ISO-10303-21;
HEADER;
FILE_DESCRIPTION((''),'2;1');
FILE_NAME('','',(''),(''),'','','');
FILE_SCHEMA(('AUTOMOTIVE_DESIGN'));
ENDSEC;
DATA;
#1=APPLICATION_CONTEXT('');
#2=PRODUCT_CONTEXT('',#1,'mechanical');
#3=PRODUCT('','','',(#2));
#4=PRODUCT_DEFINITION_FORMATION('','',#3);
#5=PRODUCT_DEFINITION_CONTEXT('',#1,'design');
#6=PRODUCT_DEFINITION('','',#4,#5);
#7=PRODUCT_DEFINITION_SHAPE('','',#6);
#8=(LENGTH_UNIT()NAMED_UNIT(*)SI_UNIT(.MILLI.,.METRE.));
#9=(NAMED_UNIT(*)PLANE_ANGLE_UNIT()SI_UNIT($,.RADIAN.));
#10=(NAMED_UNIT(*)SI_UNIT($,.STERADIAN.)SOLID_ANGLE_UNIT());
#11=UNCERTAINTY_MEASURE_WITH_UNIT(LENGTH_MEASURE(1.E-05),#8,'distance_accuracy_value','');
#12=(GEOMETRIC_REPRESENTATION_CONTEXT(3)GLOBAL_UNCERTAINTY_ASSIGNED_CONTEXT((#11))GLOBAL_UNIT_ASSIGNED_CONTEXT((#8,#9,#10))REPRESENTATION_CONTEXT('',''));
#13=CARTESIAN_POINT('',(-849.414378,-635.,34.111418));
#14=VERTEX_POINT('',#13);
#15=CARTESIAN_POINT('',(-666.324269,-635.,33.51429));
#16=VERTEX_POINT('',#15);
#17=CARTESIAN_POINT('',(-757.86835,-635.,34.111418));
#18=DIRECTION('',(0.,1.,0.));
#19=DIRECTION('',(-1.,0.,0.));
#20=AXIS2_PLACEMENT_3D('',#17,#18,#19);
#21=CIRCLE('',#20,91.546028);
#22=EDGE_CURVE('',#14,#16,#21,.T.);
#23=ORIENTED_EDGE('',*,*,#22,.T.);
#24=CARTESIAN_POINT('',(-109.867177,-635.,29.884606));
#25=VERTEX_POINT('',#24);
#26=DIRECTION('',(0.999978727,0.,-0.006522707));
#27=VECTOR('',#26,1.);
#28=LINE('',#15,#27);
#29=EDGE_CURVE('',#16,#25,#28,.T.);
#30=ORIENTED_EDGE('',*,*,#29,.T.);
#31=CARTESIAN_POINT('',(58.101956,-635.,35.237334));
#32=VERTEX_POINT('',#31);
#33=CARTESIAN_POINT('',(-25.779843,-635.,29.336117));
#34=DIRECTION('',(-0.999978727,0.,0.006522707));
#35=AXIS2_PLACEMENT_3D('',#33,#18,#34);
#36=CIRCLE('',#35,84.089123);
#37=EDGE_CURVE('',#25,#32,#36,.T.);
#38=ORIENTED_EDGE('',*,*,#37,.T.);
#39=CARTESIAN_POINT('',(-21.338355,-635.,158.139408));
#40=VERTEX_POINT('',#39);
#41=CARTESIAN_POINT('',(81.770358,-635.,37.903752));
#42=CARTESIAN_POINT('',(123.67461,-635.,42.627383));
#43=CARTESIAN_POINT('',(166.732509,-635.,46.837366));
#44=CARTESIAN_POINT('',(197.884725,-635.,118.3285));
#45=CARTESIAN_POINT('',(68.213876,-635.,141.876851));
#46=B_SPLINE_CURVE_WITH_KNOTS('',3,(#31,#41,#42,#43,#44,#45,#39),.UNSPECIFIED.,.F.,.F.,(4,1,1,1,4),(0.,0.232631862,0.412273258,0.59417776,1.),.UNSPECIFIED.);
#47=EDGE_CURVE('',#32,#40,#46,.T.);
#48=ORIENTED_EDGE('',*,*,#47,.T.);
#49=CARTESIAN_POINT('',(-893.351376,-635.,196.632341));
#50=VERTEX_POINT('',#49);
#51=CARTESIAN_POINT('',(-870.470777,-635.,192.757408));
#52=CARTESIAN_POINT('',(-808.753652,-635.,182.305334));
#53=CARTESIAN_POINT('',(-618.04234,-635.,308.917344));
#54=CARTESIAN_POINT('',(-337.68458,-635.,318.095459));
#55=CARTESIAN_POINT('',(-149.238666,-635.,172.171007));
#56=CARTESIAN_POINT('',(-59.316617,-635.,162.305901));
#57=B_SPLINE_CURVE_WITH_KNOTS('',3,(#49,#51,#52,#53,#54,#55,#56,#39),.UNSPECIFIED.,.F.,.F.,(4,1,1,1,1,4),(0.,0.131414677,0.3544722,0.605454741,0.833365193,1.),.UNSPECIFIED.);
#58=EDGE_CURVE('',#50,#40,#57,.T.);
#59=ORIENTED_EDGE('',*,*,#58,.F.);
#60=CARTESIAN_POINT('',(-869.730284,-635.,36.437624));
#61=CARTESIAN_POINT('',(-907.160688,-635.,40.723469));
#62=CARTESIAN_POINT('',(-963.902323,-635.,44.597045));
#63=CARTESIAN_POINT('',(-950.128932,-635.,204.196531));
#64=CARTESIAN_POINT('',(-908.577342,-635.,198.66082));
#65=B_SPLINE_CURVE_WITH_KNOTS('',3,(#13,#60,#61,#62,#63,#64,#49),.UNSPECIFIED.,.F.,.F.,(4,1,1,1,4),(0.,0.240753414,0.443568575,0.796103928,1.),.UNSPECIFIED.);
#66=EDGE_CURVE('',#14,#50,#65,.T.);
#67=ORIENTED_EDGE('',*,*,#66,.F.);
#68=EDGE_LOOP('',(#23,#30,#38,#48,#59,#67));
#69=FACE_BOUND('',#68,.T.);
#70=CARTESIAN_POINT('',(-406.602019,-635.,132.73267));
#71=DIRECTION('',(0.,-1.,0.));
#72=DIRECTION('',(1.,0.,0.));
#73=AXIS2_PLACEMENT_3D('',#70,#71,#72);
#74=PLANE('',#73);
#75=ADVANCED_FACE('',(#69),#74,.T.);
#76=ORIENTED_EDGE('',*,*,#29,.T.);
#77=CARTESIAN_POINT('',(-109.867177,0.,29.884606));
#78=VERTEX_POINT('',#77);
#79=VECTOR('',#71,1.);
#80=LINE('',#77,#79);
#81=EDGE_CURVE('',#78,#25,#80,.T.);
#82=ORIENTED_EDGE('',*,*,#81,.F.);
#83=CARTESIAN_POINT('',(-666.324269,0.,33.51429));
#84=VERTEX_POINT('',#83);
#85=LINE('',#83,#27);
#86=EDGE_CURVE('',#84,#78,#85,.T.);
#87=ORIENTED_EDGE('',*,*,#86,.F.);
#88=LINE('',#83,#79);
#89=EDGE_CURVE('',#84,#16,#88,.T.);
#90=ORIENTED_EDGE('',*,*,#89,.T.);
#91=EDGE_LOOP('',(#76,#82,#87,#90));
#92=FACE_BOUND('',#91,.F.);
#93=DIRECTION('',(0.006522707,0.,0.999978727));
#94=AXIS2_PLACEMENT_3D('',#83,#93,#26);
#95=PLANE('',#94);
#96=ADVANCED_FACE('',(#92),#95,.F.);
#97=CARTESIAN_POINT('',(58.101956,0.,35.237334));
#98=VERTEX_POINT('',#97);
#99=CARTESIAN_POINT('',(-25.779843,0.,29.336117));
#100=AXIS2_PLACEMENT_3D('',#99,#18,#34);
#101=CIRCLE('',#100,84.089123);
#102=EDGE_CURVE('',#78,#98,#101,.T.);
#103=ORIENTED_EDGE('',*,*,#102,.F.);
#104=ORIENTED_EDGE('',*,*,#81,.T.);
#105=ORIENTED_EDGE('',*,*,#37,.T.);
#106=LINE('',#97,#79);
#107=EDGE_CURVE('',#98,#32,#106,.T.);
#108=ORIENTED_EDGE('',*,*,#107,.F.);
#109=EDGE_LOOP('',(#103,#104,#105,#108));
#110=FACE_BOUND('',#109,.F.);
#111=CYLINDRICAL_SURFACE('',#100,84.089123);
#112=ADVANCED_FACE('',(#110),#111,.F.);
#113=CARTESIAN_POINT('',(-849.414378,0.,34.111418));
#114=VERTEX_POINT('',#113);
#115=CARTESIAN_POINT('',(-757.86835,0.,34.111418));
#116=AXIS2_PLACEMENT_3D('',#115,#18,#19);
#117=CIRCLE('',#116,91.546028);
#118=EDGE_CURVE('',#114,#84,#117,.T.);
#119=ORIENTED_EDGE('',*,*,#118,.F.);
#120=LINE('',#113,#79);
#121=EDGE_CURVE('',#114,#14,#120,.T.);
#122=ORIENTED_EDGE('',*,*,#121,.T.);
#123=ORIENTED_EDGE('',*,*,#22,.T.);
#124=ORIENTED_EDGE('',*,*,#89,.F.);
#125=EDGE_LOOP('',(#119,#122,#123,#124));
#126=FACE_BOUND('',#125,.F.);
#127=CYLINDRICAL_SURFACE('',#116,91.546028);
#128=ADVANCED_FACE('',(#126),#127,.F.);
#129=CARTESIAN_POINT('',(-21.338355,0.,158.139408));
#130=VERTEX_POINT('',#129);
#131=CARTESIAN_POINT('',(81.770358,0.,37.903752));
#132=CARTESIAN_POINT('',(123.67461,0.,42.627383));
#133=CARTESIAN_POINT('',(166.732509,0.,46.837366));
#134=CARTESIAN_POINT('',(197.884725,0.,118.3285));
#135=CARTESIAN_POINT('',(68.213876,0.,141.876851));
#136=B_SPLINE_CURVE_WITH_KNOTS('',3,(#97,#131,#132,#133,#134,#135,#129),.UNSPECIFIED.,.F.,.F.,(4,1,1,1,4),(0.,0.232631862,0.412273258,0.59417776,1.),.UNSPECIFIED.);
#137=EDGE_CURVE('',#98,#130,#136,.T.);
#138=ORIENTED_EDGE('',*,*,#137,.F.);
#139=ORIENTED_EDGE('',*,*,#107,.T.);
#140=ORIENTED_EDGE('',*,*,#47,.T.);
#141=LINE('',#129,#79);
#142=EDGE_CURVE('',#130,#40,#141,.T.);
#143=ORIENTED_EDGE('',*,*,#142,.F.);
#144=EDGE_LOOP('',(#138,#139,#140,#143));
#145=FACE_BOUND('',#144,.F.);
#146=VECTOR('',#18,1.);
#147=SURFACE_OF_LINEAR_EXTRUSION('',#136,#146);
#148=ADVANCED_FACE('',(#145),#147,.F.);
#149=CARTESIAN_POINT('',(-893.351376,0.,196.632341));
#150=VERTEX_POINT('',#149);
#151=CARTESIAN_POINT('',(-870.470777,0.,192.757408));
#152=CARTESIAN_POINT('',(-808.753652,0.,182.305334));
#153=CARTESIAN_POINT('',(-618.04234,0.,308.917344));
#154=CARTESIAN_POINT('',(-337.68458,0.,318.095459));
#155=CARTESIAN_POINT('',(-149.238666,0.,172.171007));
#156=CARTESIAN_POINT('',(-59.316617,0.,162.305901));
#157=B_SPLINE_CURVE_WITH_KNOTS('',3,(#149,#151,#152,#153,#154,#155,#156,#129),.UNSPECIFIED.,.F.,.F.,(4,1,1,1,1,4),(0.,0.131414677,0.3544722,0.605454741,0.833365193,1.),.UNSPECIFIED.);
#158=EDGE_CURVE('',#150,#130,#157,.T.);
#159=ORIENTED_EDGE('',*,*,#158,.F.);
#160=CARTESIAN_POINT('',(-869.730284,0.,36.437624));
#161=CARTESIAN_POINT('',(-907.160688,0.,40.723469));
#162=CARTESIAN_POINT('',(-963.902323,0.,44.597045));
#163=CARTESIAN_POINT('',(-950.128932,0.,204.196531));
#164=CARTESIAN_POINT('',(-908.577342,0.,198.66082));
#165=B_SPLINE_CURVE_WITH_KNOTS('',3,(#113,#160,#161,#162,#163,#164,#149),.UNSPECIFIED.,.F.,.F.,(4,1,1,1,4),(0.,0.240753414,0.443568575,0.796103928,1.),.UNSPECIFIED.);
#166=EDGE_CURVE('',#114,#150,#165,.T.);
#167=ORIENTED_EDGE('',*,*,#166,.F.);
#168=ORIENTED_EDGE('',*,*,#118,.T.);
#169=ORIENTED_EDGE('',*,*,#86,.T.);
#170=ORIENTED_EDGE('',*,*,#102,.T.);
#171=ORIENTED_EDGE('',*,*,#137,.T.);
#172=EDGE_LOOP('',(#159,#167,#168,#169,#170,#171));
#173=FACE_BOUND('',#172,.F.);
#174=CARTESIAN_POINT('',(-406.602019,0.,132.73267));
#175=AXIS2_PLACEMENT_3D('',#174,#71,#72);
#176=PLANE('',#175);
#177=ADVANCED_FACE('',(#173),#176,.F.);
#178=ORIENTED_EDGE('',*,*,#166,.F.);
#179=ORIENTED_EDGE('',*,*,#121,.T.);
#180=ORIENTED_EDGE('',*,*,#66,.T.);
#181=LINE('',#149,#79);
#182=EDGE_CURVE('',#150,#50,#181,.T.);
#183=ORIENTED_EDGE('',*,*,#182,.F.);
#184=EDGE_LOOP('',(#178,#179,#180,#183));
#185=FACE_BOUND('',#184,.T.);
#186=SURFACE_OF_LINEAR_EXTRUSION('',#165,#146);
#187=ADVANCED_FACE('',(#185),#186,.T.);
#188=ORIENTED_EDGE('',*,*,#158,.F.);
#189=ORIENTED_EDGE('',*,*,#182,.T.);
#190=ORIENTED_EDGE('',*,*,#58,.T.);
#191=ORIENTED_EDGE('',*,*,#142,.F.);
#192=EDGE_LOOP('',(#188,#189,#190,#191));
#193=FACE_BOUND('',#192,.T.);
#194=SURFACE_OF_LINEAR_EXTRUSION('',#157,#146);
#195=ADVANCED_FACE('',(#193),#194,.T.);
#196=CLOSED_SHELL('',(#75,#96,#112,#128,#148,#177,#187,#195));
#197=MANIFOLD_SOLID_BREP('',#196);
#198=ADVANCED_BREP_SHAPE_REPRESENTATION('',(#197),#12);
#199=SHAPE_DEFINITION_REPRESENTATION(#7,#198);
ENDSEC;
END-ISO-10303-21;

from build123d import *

# Parameters (mm, degrees)
F1_DEPTH = 635


with BuildPart() as f1:
    # F0 (on Front) → F1 (new body)
    with BuildSketch(Plane.XZ):
        with BuildLine():
            Line((-666.3242687066, 33.5142898837), (-109.8671773425, 29.8846059426))
            ThreePointArc((-109.8671773425, 29.8846059426), (-28.4581794598, 113.3825751746), (58.1019558071, 35.2373335748))
            add(Edge.make_bspline(
                [(58.1019558071, 35.2373335748), (81.7703584473, 37.9037522243), (123.6746095972, 42.6273825533), (166.7325085144, 46.837366182), (197.8847253213, 118.3284996062), (68.2138761533, 141.8768505883), (-21.3383547962, 158.1394076347)],
                knots=[0, 0, 0, 0, 0.2326318622, 0.4122732577, 0.5941777602, 1, 1, 1, 1], degree=3))
            add(Edge.make_bspline(
                [(-893.3513760567, 196.6323405504), (-870.4707774071, 192.7574079175), (-808.7536518393, 182.3053341961), (-618.042340301, 308.917344184), (-337.6845796437, 318.0954589249), (-149.2386660595, 172.1710074137), (-59.3166169752, 162.3059008194), (-21.3383547962, 158.1394076347)],
                knots=[0, 0, 0, 0, 0.1314146773, 0.3544722001, 0.6054547413, 0.8333651932, 1, 1, 1, 1], degree=3))
            add(Edge.make_bspline(
                [(-849.4143778639, 34.11141783), (-869.730284011, 36.4376236289), (-907.1606880079, 40.723468533), (-963.9023234807, 44.5970448449), (-950.1289322947, 204.196530828), (-908.577342176, 198.6608199799), (-893.3513760567, 196.6323405504)],
                knots=[0, 0, 0, 0, 0.2407534137, 0.443568575, 0.7961039277, 1, 1, 1, 1], degree=3))
            ThreePointArc((-849.4143778639, 34.11141783), (-757.5697839912, 125.6569592739), (-666.3242687066, 33.5142898837))
        make_face()
    extrude(amount=F1_DEPTH)


solid = f1.part
